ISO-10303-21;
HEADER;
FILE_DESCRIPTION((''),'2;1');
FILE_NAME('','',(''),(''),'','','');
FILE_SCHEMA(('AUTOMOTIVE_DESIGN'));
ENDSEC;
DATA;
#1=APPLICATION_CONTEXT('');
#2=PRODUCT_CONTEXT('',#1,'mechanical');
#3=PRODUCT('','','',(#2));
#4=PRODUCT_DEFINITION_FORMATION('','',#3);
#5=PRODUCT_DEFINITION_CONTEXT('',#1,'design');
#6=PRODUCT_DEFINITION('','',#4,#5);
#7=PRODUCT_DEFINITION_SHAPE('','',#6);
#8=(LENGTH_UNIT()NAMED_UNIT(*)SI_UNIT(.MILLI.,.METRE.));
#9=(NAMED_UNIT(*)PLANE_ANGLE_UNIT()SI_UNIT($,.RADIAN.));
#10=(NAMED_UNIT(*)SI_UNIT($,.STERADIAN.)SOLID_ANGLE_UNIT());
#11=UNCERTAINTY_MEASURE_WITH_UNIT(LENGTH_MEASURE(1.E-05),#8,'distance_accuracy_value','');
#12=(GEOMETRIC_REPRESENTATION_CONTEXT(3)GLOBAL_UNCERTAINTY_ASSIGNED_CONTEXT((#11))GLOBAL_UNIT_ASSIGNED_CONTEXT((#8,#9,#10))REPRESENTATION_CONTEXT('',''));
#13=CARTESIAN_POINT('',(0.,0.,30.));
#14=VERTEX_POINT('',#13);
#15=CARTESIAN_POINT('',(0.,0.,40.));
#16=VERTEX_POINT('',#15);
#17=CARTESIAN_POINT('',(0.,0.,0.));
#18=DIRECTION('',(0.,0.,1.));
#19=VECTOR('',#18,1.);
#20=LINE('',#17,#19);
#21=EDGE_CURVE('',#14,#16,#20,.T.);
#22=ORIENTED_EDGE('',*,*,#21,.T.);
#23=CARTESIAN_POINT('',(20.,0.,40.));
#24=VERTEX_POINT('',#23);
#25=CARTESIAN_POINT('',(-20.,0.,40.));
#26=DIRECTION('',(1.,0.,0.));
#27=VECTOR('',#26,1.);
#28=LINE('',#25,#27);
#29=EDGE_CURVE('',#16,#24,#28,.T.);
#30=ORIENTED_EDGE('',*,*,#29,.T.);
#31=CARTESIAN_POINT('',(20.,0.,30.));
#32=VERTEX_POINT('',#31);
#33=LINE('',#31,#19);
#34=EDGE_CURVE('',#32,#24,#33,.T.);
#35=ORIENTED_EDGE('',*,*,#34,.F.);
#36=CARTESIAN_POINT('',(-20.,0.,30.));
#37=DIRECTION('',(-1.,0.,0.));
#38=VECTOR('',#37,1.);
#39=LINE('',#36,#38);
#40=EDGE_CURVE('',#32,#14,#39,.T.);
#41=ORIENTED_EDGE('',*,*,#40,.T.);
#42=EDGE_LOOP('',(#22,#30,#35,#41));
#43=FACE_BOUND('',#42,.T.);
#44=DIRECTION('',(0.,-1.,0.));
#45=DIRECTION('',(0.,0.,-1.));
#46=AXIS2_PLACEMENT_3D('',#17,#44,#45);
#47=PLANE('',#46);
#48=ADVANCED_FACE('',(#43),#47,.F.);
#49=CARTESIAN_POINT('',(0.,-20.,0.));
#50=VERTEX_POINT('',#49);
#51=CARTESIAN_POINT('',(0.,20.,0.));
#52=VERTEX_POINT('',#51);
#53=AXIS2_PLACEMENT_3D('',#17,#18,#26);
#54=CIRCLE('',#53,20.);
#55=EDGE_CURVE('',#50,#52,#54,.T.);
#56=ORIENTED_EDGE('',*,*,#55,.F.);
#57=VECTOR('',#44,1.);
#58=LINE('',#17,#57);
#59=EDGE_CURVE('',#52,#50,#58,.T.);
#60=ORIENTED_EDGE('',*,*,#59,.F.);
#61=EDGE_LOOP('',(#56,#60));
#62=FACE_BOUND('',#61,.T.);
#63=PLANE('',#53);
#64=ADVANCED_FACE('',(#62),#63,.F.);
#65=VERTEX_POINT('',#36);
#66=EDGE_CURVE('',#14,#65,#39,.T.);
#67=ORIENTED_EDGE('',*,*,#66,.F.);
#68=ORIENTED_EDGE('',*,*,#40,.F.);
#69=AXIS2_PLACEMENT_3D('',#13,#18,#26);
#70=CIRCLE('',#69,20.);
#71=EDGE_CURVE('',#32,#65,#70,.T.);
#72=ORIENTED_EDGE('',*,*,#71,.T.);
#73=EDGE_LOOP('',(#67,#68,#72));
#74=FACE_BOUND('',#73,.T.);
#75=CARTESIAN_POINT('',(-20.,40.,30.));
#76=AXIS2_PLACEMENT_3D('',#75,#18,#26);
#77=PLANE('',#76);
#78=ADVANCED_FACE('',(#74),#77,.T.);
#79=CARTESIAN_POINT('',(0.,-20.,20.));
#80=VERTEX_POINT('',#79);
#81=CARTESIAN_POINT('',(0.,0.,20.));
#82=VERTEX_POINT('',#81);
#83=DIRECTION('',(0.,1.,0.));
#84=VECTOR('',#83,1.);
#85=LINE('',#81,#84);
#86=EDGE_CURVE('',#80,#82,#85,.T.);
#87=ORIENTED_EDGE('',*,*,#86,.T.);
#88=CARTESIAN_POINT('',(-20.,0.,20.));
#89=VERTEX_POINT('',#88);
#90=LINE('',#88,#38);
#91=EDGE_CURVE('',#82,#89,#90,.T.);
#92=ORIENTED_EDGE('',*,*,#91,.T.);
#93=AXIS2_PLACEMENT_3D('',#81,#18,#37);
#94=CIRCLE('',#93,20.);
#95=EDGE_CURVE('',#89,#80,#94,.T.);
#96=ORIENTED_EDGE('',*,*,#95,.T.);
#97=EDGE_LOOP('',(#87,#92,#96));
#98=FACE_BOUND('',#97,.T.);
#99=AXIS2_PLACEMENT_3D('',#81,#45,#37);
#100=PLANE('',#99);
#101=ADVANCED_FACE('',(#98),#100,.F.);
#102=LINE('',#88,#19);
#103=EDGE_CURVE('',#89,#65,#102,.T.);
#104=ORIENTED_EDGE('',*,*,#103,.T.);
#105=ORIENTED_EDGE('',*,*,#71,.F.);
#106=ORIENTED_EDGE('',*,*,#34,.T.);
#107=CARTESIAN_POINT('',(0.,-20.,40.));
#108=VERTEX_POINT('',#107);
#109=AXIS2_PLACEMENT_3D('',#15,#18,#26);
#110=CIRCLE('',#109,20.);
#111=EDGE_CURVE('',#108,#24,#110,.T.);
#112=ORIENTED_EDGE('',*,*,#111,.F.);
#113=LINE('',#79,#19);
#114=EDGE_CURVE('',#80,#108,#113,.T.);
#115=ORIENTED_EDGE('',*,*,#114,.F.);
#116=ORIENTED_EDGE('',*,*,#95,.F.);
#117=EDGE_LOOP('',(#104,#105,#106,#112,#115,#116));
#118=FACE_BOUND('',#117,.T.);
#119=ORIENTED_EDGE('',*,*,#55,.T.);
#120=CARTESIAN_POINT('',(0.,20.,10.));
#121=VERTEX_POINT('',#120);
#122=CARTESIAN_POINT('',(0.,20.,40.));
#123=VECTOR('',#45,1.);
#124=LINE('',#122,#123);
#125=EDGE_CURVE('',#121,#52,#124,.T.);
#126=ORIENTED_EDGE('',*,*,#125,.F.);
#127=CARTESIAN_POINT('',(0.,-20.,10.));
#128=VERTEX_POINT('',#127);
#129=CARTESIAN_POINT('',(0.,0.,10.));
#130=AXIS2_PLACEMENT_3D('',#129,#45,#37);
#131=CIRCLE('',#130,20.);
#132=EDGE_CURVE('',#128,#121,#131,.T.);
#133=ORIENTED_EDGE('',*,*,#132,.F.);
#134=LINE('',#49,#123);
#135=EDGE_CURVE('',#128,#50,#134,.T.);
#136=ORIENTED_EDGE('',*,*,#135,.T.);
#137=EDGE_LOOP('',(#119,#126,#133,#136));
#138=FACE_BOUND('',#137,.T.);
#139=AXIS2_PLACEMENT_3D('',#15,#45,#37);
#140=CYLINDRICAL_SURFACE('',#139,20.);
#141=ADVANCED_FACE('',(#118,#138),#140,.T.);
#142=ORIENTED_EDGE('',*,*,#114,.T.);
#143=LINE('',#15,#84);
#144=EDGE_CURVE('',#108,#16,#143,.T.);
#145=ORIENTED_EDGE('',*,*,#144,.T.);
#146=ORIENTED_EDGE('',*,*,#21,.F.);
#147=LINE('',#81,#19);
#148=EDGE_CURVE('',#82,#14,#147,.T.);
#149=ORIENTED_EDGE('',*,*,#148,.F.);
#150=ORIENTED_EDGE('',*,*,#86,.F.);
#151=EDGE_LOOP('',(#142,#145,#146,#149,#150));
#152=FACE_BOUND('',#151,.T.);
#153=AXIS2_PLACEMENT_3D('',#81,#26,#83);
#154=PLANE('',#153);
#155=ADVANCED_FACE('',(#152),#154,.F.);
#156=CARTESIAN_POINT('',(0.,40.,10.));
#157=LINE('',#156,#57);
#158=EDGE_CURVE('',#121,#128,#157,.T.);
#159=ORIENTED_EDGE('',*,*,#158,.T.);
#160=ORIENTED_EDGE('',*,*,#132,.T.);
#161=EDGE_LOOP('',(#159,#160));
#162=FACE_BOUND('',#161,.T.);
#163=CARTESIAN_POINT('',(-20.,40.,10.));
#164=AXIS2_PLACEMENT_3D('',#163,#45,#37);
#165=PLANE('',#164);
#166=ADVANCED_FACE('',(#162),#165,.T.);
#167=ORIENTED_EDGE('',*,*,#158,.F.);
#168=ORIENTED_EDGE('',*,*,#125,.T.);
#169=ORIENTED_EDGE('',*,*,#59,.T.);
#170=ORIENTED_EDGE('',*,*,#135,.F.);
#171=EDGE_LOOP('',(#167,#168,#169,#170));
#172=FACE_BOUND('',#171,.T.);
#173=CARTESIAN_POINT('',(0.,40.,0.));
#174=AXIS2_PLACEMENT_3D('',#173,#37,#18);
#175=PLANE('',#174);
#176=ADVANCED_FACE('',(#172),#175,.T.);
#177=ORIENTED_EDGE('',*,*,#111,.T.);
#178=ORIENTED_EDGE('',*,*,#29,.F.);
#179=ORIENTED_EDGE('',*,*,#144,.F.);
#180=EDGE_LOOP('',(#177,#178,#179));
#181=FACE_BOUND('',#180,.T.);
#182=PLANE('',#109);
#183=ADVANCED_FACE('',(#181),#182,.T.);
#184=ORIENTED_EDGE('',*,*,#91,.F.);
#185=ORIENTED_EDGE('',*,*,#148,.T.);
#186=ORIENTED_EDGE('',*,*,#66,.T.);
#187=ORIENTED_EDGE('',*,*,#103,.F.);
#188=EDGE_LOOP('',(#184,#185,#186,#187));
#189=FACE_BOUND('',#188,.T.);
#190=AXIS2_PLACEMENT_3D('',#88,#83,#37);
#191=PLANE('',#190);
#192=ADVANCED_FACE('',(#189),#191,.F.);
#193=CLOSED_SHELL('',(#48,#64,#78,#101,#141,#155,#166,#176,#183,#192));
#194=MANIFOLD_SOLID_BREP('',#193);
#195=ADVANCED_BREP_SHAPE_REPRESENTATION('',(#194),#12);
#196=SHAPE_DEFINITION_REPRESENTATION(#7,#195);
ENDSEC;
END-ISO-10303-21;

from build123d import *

# Parameters (mm, degrees)
SKETCH1_R           = 20
BOSS_EXTRUDE1_DEPTH = 40
SKETCH2_W           = 20
SKETCH2_H           = 10
CUT_EXTRUDE1_DEPTH  = 40
CUT_EXTRUDE2_DEPTH  = 10
CUT_EXTRUDE3_DEPTH  = 20
SKETCH5_W           = 20
SKETCH5_H           = 10
CUT_EXTRUDE4_DEPTH  = 20


with BuildPart() as part:
    # Sketch1 → Boss-Extrude1 (new body)
    with BuildSketch(Plane.XY):
        Circle(SKETCH1_R)
    extrude(amount=BOSS_EXTRUDE1_DEPTH)

    # Sketch2 → Cut-Extrude1 (cut)
    with BuildSketch(Plane(origin=(0, 0, 0), x_dir=(1, 0, 0), z_dir=(0, 1, 0))):
        with Locations((-10, -35)):
            Rectangle(SKETCH2_W, SKETCH2_H)
        with Locations((-10, -5)):
            Rectangle(SKETCH2_W, SKETCH2_H)
    extrude(amount=CUT_EXTRUDE1_DEPTH, mode=Mode.SUBTRACT)

    # Sketch3 → Cut-Extrude2 (cut)
    with BuildSketch(Plane.XY.offset(40)):
        with BuildLine():
            Line((0, 20), (0, 0))
            Line((0, 0), (20, 0))
            ThreePointArc((20, 0), (14.142135624, 14.142135624), (0, 20))
        make_face()
    extrude(amount=-CUT_EXTRUDE2_DEPTH, mode=Mode.SUBTRACT)

    # Sketch4 → Cut-Extrude3 (cut)
    with BuildSketch(Plane.XY.offset(40)):
        with BuildLine():
            Line((-20, 0), (0, 0))
            Line((0, 0), (0, -20))
            ThreePointArc((0, -20), (-14.142135624, -14.142135624), (-20, 0))
        make_face()
    extrude(amount=-CUT_EXTRUDE3_DEPTH, mode=Mode.SUBTRACT)

    # Sketch5 → Cut-Extrude4 (cut)
    with BuildSketch(Plane(origin=(0, 0, 0), x_dir=(1, 0, 0), z_dir=(0, 1, 0))):
        with Locations((-10, -5)):
            Rectangle(SKETCH5_W, SKETCH5_H)
    extrude(amount=-CUT_EXTRUDE4_DEPTH, mode=Mode.SUBTRACT)


solid = part.part
